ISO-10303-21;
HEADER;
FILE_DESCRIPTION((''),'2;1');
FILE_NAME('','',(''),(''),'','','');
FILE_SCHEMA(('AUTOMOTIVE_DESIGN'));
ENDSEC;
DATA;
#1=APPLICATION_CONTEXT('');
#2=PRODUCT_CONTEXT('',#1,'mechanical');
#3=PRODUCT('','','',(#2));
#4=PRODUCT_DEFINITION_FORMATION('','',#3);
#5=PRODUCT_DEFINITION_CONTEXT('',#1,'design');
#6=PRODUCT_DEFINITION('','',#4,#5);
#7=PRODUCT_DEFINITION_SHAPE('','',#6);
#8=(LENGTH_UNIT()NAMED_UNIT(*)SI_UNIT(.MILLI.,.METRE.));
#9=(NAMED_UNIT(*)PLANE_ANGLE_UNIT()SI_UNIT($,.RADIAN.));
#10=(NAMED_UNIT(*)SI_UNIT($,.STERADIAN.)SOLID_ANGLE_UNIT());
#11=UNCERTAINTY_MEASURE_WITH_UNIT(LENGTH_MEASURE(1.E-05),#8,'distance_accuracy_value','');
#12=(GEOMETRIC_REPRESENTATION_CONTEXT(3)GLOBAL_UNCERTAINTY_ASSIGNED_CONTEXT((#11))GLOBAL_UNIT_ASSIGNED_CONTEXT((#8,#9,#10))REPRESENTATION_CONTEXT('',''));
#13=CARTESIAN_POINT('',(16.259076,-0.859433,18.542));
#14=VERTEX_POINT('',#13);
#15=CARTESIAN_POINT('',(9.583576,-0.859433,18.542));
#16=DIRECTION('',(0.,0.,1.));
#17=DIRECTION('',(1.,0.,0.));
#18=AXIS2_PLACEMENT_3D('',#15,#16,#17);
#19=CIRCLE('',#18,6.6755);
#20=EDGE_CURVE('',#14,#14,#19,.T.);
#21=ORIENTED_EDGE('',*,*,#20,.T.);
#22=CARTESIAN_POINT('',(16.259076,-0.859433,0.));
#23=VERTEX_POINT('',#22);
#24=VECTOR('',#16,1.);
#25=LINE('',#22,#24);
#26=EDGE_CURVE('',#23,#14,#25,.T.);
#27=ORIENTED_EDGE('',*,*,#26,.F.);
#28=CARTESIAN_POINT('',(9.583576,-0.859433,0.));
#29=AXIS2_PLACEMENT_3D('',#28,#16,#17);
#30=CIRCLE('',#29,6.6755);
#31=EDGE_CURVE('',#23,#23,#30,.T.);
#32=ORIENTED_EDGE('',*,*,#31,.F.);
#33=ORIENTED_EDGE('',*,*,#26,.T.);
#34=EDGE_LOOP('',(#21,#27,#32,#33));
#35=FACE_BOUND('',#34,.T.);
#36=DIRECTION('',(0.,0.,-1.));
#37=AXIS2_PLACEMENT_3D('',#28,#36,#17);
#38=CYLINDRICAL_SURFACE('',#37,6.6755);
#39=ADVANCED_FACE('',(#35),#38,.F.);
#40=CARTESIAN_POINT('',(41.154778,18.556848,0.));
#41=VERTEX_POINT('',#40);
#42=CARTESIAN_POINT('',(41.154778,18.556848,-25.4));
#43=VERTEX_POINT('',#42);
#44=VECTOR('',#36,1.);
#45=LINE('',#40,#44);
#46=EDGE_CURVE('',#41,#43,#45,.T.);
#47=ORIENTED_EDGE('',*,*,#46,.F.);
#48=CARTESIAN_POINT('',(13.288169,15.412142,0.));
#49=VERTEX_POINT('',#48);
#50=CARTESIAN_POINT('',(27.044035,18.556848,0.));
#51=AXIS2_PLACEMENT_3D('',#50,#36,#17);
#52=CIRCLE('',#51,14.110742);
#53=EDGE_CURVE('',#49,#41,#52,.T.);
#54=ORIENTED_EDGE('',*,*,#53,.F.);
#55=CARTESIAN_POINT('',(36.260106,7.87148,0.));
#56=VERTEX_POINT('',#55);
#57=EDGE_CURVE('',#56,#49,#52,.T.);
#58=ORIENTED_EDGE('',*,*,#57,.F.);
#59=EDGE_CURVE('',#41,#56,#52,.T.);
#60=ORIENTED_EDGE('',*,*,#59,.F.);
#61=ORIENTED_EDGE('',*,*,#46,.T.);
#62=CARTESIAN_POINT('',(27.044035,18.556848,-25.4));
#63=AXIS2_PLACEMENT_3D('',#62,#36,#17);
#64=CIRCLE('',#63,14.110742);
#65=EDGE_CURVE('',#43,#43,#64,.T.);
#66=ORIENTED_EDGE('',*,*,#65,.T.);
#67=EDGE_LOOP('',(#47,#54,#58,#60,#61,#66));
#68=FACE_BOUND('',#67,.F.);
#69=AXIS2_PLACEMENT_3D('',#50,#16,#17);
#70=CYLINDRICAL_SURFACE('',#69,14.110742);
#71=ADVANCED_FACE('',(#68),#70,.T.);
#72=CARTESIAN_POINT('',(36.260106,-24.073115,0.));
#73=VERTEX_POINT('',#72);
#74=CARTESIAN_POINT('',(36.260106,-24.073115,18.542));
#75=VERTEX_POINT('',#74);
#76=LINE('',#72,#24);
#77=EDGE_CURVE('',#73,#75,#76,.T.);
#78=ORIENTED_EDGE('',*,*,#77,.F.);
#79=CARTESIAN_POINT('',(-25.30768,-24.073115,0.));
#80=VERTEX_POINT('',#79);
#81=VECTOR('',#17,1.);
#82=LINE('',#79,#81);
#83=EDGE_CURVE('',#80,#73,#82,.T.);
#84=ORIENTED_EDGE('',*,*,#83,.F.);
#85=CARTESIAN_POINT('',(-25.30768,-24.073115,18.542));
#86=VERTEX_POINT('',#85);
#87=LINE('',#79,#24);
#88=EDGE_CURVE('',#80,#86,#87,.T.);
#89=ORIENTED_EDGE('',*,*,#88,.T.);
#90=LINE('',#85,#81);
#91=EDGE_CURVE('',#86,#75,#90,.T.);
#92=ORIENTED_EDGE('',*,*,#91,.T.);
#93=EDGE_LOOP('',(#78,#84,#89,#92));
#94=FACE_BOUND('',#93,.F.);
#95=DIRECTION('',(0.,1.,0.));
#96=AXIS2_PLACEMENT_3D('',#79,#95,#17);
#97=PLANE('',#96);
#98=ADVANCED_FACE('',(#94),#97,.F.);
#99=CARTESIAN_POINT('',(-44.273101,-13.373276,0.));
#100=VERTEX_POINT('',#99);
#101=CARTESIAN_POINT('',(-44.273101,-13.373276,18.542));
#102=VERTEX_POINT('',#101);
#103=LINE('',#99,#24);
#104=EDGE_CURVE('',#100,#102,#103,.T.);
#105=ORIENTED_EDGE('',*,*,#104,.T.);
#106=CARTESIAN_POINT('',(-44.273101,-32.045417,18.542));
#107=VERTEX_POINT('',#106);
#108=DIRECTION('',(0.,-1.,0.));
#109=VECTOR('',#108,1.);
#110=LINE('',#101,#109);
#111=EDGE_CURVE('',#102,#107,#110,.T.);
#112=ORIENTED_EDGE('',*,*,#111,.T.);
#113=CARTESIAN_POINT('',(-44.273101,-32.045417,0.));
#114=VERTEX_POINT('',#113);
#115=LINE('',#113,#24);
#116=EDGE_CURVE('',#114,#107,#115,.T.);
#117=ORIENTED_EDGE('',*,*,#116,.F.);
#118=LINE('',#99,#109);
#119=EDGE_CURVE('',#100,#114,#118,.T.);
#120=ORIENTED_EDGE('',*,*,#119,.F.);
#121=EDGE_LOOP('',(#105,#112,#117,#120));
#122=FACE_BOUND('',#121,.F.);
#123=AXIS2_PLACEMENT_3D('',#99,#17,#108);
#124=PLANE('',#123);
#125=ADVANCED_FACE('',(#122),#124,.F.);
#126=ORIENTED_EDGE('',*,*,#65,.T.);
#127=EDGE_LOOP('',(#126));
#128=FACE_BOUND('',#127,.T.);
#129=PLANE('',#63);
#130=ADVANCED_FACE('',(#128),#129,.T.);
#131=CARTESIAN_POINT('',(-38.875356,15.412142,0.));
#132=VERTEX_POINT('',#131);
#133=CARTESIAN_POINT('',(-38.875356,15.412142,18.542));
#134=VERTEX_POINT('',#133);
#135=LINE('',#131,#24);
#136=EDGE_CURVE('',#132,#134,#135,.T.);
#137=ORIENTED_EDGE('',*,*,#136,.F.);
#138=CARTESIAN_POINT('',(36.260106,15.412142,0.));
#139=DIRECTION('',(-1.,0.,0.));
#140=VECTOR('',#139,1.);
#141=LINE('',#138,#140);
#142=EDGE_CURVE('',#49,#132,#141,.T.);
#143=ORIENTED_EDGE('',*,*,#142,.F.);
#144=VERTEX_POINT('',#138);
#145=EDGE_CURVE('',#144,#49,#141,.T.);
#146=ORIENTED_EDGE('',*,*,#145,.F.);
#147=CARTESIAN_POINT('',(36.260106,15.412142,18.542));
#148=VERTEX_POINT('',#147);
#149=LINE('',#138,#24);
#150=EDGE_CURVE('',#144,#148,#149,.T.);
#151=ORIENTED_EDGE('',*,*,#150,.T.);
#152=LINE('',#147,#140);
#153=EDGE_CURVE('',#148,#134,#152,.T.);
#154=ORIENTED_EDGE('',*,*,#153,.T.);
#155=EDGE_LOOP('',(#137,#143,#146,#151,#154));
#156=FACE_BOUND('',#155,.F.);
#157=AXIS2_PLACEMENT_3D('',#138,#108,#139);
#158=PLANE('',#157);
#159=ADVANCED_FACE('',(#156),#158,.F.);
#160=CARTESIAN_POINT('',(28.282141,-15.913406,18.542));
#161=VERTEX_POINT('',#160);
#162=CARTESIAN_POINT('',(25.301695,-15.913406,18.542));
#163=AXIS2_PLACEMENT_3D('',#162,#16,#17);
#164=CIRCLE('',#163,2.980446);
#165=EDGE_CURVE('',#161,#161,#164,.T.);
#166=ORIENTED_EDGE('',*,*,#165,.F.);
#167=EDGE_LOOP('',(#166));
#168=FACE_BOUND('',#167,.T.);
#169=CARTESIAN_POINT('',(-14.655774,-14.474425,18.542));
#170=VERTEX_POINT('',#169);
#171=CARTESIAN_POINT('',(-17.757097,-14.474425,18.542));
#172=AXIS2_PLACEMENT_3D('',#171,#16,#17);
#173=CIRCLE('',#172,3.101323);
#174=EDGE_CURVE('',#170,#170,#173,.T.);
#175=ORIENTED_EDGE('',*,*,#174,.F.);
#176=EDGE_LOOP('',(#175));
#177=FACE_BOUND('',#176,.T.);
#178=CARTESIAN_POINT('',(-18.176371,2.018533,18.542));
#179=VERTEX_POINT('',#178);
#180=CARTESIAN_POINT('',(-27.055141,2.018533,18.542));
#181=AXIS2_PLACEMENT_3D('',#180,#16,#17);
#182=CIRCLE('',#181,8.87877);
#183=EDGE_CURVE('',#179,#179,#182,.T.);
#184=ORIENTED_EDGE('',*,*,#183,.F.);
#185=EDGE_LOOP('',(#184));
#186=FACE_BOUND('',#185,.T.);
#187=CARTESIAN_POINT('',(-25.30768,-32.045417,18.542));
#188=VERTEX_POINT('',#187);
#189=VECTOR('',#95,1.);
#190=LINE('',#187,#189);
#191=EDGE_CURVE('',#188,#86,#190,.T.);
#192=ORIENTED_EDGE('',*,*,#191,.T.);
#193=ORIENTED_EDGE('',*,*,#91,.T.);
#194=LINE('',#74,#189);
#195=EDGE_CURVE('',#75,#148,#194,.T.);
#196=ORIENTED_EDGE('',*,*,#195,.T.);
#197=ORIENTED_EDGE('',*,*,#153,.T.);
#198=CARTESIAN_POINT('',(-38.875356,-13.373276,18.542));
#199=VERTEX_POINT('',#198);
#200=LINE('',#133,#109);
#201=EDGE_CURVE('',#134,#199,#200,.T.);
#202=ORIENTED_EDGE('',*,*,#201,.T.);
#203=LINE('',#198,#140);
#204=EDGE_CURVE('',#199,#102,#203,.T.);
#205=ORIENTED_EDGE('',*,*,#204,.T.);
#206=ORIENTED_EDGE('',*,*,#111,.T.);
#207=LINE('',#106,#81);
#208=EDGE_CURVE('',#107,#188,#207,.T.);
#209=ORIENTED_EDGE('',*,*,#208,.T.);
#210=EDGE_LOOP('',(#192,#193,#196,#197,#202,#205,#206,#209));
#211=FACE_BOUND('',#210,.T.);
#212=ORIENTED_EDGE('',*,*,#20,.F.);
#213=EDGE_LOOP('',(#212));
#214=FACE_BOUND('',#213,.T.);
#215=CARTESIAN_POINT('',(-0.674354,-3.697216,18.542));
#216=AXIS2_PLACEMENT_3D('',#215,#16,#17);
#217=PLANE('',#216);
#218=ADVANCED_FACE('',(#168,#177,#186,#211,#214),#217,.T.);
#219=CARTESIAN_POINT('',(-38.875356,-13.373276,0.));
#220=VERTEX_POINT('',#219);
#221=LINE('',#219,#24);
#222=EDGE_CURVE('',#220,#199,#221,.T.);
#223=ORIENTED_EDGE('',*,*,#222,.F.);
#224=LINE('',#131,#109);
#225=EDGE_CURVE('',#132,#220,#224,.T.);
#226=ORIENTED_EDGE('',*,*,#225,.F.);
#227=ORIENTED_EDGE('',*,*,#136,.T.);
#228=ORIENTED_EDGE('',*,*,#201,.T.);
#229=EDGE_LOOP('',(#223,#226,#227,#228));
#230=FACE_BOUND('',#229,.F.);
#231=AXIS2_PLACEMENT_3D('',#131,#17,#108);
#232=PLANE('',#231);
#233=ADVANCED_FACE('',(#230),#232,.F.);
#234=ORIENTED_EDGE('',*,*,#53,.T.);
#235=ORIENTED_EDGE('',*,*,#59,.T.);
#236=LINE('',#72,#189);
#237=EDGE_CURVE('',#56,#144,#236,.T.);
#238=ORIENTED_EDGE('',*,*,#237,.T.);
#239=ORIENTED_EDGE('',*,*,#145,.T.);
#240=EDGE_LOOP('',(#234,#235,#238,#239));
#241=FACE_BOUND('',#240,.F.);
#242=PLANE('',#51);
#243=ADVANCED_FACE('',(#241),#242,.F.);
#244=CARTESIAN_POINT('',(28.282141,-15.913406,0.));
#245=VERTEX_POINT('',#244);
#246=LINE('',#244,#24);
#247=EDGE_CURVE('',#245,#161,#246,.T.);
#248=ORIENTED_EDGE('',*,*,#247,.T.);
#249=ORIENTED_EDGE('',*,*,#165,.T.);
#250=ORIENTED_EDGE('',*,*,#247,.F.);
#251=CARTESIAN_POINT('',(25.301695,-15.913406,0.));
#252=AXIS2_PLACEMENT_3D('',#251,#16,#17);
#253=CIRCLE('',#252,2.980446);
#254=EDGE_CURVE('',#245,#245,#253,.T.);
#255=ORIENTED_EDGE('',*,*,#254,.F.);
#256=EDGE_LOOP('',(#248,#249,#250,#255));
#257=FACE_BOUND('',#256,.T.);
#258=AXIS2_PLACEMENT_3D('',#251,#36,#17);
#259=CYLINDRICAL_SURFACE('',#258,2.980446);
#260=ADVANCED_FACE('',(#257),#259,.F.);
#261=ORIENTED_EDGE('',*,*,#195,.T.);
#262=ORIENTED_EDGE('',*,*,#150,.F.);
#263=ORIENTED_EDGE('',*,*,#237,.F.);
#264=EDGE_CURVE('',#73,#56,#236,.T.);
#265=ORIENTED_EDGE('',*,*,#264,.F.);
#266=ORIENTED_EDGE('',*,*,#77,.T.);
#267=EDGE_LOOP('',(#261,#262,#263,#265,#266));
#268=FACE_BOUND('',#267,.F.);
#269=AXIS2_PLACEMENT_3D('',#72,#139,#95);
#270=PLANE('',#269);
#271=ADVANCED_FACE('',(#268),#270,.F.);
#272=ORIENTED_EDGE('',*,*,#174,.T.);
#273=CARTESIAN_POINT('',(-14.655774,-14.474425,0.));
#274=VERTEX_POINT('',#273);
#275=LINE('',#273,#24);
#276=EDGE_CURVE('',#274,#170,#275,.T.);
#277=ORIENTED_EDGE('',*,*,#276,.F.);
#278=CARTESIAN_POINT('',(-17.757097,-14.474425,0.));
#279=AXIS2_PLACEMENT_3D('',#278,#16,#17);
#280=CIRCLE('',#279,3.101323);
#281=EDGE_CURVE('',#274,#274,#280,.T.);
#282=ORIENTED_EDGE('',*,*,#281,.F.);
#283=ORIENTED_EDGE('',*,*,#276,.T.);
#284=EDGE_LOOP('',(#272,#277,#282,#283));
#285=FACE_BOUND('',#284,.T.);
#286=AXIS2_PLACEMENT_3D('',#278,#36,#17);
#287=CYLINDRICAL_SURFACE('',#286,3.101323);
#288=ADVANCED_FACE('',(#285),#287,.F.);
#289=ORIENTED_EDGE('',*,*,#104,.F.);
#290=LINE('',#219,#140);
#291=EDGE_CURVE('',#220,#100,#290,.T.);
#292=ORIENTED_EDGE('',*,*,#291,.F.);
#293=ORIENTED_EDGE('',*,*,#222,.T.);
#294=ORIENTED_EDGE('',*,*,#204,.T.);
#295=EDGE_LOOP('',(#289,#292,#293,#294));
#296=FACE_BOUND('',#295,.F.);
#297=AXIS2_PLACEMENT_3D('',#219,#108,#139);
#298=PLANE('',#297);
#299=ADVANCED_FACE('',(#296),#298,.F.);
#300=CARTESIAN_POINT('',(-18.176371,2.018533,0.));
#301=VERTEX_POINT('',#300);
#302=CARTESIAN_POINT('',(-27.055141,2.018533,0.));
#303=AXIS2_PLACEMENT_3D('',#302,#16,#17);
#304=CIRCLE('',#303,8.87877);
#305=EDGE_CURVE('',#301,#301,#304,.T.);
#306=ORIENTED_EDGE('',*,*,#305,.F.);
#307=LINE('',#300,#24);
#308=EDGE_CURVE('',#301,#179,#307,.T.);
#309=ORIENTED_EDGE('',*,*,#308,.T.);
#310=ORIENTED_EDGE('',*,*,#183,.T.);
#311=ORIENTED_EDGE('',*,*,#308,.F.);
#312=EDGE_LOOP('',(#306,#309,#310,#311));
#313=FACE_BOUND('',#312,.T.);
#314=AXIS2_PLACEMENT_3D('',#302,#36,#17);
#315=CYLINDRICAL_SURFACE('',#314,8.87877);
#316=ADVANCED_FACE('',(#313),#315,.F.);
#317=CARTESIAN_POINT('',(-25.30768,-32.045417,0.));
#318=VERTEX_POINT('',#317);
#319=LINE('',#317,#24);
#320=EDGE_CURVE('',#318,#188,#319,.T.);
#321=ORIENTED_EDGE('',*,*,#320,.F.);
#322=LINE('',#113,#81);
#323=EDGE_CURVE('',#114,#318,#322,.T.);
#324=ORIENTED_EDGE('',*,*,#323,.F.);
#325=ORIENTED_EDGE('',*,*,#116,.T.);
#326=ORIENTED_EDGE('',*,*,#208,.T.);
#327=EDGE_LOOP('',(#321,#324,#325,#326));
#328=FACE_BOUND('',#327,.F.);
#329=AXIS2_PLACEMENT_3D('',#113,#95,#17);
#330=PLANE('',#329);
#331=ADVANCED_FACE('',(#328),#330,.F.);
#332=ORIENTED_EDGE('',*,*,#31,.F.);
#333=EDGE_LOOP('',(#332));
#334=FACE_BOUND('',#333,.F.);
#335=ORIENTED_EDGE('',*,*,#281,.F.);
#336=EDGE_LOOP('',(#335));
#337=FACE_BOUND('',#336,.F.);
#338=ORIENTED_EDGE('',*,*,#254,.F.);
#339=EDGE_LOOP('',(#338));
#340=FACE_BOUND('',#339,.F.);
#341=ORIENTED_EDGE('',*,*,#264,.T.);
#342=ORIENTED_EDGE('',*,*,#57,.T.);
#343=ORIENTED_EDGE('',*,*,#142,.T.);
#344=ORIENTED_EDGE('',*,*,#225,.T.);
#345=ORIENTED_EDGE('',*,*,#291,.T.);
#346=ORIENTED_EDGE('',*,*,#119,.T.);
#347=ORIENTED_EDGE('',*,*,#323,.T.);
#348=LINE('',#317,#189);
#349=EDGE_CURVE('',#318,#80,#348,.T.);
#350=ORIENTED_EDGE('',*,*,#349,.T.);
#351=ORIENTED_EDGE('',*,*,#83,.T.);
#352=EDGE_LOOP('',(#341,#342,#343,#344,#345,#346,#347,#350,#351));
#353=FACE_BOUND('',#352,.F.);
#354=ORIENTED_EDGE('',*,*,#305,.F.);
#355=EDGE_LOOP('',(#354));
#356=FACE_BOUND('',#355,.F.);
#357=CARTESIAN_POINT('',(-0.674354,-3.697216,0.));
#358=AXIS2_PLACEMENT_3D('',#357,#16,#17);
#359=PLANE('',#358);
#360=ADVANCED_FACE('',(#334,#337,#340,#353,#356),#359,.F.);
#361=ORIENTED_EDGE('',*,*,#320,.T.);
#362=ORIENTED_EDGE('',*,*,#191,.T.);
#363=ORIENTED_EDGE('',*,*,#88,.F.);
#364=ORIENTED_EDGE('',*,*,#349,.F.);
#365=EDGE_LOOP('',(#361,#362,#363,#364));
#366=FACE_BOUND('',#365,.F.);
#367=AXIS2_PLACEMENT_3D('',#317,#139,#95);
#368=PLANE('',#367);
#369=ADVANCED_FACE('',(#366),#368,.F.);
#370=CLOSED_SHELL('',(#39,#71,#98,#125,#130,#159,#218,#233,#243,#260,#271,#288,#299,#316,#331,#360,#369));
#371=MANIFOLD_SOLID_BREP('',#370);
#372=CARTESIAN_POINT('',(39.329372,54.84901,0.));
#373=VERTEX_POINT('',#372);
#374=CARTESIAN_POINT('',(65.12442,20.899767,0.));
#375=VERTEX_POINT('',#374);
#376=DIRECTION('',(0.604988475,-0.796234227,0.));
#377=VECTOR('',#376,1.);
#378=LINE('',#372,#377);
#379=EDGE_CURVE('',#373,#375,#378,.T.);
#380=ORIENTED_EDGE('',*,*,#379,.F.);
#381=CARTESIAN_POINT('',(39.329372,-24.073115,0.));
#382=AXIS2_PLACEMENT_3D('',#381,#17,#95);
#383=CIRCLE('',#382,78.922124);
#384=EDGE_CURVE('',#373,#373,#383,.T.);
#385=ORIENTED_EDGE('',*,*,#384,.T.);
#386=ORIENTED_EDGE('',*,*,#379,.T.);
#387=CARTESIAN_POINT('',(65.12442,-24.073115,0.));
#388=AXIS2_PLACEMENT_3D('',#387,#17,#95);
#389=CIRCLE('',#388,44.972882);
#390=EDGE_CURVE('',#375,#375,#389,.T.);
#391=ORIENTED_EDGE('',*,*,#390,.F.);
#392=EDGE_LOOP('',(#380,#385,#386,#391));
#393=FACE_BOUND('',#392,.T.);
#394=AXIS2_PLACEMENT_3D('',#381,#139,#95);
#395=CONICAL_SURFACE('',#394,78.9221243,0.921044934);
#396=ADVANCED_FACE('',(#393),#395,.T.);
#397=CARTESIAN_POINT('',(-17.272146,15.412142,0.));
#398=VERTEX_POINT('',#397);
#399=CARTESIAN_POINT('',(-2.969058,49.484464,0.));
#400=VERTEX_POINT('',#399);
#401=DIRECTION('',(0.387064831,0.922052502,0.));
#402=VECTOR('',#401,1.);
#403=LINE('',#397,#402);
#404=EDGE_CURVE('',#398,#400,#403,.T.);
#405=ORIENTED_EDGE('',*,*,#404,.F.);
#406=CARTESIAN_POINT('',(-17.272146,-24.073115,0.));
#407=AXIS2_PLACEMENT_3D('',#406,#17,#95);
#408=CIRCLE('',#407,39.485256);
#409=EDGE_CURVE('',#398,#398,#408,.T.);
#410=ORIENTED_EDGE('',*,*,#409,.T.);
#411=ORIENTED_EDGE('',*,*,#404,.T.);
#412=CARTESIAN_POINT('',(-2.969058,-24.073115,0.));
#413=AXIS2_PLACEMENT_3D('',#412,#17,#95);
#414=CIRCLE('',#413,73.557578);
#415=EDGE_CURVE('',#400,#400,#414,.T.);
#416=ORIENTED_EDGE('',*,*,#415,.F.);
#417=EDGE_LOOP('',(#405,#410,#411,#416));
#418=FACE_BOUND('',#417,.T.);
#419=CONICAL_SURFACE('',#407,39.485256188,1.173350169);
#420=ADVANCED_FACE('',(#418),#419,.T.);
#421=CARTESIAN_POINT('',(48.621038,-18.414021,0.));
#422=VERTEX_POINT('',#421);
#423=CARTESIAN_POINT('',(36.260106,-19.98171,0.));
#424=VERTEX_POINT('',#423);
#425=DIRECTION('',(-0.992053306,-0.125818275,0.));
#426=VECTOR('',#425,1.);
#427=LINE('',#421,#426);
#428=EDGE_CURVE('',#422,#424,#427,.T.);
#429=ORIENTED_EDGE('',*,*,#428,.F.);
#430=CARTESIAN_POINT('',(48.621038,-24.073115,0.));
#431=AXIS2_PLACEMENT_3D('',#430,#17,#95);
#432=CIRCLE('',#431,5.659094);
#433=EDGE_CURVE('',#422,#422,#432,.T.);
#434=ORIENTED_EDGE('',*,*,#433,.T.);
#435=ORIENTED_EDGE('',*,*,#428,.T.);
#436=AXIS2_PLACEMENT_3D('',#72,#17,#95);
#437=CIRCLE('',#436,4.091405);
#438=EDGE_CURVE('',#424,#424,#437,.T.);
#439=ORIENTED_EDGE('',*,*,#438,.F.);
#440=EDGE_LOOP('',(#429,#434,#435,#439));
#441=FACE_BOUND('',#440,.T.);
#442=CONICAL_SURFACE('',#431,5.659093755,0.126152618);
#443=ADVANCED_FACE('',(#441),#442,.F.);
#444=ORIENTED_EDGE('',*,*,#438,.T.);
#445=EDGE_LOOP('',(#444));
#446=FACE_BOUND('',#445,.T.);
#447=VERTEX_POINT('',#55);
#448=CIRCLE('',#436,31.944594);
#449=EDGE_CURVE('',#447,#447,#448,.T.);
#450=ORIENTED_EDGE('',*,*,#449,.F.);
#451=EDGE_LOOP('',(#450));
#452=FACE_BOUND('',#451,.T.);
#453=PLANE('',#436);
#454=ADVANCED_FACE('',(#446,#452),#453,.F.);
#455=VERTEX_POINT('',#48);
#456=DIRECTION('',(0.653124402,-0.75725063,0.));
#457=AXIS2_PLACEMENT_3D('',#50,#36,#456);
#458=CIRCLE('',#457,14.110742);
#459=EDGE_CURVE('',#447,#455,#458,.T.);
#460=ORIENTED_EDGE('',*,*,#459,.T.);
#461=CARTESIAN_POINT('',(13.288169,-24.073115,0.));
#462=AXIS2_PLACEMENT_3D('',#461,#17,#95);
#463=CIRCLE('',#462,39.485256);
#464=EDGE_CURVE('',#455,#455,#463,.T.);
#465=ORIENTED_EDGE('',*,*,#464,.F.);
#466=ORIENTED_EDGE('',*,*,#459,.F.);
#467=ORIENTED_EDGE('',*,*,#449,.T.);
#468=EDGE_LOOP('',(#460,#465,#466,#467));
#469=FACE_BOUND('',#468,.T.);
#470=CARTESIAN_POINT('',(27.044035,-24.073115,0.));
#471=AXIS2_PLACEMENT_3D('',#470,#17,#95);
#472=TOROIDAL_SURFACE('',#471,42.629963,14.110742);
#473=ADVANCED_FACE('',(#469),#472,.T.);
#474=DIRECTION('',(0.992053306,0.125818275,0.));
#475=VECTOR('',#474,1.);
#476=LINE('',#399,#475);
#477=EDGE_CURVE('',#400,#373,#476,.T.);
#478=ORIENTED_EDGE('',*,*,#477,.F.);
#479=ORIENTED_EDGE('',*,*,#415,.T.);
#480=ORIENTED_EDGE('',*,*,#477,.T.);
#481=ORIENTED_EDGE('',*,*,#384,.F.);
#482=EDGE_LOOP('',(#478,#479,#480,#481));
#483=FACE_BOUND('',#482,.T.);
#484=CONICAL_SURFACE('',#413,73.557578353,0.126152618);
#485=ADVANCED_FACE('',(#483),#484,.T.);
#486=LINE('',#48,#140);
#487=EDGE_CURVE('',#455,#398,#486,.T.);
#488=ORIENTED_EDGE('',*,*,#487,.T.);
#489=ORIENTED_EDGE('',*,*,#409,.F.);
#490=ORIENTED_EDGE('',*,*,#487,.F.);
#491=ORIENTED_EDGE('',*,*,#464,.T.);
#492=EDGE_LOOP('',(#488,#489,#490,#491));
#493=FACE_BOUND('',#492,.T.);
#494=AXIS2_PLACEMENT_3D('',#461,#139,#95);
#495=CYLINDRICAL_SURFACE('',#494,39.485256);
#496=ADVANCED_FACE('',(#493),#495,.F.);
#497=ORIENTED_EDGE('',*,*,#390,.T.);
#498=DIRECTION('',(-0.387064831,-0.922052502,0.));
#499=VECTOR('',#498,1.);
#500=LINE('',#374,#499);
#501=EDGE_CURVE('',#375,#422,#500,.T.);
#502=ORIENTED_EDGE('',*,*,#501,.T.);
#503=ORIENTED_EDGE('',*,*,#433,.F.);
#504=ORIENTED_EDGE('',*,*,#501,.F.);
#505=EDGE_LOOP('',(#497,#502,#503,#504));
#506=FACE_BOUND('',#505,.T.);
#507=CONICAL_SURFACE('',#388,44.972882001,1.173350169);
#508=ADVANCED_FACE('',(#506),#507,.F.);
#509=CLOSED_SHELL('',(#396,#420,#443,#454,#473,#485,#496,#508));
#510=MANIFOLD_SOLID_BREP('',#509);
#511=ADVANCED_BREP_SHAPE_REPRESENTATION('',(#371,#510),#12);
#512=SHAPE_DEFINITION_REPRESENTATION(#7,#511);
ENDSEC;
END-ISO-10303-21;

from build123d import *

# Parameters (mm, degrees)
F0_R     = 3.1013234417
F0_R_2   = 2.9804457563
F0_R_3   = 8.8787695935
F0_R_4   = 6.6755002606
F0_W     = 13.5676767677
F0_H     = 10.6998383999
F1_DEPTH = 18.542
F2_R     = 14.1107423838
F3_DEPTH = 25.4


with BuildPart() as f1:
    # F0 (on Top) → F1 (new body)
    with BuildSketch(Plane.XY):
        Polygon((36.2601056695, 15.412141569), (-38.8753563166, 15.412141569), (-38.8753563166, -13.3732762188), (-25.3076795489, -13.3732762188), (-25.3076795489, -24.0731146187), (36.2601056695, -24.0731146187), align=None)
        with Locations((-17.7570972592, -14.4744245335)):
            Circle(F0_R, mode=Mode.SUBTRACT)
        with Locations((25.30169487, -15.913406387)):
            Circle(F0_R_2, mode=Mode.SUBTRACT)
        with Locations((-27.0551405847, 2.0185327157)):
            Circle(F0_R_3, mode=Mode.SUBTRACT)
        with Locations((9.583575651, -0.8594332612)):
            Circle(F0_R_4, mode=Mode.SUBTRACT)
        Polygon((-38.8753563166, -24.0731146187), (-38.8753563166, -13.3732762188), (-44.2731007934, -13.3732762188), (-44.2731007934, -32.0454165339), (-25.3076795489, -32.0454165339), (-25.3076795489, -24.0731146187), align=None)
        with Locations((-32.0915179327, -18.7231954187)):
            Rectangle(F0_W, F0_H)
    extrude(amount=F1_DEPTH)

    # F2 (on face) → F3 (join)
    with BuildSketch(Plane(origin=(0, 0, 0), x_dir=(1, 0, 0), z_dir=(0, 0, -1))):
        with Locations((27.0440354943, -18.5568481684)):
            Circle(F2_R)
    extrude(amount=F3_DEPTH)


with BuildPart() as f6:
    # F5 (on face) → F6 (revolve)
    with BuildSketch(Plane(origin=(0, 0, 0), x_dir=(1, 0, 0), z_dir=(0, 0, -1))):
        with BuildLine():
            Line((65.124420279, -20.8997673818), (48.6210381451, 18.414020864))
            Line((48.6210381451, 18.414020864), (36.2601056695, 19.9817100092))
            Line((36.2601056695, 19.9817100092), (36.2601056695, -7.8714796137))
            ThreePointArc((36.2601056695, -7.8714796137), (22.6431453574, -5.1499388815), (13.2881687086, -15.412141569))
            Line((13.2881687086, -15.412141569), (-17.2721458917, -15.412141569))
            Line((-17.2721458917, -15.412141569), (-2.9690584007, -49.4844637342))
            Line((-2.9690584007, -49.4844637342), (39.329372006, -54.8490096809))
            Line((39.329372006, -54.8490096809), (65.124420279, -20.8997673818))
        make_face()
    revolve(axis=Axis((5.4762130603, -24.0731146187, 0), (1, 0, 0)))


solid = Compound([f1.part, f6.part])
